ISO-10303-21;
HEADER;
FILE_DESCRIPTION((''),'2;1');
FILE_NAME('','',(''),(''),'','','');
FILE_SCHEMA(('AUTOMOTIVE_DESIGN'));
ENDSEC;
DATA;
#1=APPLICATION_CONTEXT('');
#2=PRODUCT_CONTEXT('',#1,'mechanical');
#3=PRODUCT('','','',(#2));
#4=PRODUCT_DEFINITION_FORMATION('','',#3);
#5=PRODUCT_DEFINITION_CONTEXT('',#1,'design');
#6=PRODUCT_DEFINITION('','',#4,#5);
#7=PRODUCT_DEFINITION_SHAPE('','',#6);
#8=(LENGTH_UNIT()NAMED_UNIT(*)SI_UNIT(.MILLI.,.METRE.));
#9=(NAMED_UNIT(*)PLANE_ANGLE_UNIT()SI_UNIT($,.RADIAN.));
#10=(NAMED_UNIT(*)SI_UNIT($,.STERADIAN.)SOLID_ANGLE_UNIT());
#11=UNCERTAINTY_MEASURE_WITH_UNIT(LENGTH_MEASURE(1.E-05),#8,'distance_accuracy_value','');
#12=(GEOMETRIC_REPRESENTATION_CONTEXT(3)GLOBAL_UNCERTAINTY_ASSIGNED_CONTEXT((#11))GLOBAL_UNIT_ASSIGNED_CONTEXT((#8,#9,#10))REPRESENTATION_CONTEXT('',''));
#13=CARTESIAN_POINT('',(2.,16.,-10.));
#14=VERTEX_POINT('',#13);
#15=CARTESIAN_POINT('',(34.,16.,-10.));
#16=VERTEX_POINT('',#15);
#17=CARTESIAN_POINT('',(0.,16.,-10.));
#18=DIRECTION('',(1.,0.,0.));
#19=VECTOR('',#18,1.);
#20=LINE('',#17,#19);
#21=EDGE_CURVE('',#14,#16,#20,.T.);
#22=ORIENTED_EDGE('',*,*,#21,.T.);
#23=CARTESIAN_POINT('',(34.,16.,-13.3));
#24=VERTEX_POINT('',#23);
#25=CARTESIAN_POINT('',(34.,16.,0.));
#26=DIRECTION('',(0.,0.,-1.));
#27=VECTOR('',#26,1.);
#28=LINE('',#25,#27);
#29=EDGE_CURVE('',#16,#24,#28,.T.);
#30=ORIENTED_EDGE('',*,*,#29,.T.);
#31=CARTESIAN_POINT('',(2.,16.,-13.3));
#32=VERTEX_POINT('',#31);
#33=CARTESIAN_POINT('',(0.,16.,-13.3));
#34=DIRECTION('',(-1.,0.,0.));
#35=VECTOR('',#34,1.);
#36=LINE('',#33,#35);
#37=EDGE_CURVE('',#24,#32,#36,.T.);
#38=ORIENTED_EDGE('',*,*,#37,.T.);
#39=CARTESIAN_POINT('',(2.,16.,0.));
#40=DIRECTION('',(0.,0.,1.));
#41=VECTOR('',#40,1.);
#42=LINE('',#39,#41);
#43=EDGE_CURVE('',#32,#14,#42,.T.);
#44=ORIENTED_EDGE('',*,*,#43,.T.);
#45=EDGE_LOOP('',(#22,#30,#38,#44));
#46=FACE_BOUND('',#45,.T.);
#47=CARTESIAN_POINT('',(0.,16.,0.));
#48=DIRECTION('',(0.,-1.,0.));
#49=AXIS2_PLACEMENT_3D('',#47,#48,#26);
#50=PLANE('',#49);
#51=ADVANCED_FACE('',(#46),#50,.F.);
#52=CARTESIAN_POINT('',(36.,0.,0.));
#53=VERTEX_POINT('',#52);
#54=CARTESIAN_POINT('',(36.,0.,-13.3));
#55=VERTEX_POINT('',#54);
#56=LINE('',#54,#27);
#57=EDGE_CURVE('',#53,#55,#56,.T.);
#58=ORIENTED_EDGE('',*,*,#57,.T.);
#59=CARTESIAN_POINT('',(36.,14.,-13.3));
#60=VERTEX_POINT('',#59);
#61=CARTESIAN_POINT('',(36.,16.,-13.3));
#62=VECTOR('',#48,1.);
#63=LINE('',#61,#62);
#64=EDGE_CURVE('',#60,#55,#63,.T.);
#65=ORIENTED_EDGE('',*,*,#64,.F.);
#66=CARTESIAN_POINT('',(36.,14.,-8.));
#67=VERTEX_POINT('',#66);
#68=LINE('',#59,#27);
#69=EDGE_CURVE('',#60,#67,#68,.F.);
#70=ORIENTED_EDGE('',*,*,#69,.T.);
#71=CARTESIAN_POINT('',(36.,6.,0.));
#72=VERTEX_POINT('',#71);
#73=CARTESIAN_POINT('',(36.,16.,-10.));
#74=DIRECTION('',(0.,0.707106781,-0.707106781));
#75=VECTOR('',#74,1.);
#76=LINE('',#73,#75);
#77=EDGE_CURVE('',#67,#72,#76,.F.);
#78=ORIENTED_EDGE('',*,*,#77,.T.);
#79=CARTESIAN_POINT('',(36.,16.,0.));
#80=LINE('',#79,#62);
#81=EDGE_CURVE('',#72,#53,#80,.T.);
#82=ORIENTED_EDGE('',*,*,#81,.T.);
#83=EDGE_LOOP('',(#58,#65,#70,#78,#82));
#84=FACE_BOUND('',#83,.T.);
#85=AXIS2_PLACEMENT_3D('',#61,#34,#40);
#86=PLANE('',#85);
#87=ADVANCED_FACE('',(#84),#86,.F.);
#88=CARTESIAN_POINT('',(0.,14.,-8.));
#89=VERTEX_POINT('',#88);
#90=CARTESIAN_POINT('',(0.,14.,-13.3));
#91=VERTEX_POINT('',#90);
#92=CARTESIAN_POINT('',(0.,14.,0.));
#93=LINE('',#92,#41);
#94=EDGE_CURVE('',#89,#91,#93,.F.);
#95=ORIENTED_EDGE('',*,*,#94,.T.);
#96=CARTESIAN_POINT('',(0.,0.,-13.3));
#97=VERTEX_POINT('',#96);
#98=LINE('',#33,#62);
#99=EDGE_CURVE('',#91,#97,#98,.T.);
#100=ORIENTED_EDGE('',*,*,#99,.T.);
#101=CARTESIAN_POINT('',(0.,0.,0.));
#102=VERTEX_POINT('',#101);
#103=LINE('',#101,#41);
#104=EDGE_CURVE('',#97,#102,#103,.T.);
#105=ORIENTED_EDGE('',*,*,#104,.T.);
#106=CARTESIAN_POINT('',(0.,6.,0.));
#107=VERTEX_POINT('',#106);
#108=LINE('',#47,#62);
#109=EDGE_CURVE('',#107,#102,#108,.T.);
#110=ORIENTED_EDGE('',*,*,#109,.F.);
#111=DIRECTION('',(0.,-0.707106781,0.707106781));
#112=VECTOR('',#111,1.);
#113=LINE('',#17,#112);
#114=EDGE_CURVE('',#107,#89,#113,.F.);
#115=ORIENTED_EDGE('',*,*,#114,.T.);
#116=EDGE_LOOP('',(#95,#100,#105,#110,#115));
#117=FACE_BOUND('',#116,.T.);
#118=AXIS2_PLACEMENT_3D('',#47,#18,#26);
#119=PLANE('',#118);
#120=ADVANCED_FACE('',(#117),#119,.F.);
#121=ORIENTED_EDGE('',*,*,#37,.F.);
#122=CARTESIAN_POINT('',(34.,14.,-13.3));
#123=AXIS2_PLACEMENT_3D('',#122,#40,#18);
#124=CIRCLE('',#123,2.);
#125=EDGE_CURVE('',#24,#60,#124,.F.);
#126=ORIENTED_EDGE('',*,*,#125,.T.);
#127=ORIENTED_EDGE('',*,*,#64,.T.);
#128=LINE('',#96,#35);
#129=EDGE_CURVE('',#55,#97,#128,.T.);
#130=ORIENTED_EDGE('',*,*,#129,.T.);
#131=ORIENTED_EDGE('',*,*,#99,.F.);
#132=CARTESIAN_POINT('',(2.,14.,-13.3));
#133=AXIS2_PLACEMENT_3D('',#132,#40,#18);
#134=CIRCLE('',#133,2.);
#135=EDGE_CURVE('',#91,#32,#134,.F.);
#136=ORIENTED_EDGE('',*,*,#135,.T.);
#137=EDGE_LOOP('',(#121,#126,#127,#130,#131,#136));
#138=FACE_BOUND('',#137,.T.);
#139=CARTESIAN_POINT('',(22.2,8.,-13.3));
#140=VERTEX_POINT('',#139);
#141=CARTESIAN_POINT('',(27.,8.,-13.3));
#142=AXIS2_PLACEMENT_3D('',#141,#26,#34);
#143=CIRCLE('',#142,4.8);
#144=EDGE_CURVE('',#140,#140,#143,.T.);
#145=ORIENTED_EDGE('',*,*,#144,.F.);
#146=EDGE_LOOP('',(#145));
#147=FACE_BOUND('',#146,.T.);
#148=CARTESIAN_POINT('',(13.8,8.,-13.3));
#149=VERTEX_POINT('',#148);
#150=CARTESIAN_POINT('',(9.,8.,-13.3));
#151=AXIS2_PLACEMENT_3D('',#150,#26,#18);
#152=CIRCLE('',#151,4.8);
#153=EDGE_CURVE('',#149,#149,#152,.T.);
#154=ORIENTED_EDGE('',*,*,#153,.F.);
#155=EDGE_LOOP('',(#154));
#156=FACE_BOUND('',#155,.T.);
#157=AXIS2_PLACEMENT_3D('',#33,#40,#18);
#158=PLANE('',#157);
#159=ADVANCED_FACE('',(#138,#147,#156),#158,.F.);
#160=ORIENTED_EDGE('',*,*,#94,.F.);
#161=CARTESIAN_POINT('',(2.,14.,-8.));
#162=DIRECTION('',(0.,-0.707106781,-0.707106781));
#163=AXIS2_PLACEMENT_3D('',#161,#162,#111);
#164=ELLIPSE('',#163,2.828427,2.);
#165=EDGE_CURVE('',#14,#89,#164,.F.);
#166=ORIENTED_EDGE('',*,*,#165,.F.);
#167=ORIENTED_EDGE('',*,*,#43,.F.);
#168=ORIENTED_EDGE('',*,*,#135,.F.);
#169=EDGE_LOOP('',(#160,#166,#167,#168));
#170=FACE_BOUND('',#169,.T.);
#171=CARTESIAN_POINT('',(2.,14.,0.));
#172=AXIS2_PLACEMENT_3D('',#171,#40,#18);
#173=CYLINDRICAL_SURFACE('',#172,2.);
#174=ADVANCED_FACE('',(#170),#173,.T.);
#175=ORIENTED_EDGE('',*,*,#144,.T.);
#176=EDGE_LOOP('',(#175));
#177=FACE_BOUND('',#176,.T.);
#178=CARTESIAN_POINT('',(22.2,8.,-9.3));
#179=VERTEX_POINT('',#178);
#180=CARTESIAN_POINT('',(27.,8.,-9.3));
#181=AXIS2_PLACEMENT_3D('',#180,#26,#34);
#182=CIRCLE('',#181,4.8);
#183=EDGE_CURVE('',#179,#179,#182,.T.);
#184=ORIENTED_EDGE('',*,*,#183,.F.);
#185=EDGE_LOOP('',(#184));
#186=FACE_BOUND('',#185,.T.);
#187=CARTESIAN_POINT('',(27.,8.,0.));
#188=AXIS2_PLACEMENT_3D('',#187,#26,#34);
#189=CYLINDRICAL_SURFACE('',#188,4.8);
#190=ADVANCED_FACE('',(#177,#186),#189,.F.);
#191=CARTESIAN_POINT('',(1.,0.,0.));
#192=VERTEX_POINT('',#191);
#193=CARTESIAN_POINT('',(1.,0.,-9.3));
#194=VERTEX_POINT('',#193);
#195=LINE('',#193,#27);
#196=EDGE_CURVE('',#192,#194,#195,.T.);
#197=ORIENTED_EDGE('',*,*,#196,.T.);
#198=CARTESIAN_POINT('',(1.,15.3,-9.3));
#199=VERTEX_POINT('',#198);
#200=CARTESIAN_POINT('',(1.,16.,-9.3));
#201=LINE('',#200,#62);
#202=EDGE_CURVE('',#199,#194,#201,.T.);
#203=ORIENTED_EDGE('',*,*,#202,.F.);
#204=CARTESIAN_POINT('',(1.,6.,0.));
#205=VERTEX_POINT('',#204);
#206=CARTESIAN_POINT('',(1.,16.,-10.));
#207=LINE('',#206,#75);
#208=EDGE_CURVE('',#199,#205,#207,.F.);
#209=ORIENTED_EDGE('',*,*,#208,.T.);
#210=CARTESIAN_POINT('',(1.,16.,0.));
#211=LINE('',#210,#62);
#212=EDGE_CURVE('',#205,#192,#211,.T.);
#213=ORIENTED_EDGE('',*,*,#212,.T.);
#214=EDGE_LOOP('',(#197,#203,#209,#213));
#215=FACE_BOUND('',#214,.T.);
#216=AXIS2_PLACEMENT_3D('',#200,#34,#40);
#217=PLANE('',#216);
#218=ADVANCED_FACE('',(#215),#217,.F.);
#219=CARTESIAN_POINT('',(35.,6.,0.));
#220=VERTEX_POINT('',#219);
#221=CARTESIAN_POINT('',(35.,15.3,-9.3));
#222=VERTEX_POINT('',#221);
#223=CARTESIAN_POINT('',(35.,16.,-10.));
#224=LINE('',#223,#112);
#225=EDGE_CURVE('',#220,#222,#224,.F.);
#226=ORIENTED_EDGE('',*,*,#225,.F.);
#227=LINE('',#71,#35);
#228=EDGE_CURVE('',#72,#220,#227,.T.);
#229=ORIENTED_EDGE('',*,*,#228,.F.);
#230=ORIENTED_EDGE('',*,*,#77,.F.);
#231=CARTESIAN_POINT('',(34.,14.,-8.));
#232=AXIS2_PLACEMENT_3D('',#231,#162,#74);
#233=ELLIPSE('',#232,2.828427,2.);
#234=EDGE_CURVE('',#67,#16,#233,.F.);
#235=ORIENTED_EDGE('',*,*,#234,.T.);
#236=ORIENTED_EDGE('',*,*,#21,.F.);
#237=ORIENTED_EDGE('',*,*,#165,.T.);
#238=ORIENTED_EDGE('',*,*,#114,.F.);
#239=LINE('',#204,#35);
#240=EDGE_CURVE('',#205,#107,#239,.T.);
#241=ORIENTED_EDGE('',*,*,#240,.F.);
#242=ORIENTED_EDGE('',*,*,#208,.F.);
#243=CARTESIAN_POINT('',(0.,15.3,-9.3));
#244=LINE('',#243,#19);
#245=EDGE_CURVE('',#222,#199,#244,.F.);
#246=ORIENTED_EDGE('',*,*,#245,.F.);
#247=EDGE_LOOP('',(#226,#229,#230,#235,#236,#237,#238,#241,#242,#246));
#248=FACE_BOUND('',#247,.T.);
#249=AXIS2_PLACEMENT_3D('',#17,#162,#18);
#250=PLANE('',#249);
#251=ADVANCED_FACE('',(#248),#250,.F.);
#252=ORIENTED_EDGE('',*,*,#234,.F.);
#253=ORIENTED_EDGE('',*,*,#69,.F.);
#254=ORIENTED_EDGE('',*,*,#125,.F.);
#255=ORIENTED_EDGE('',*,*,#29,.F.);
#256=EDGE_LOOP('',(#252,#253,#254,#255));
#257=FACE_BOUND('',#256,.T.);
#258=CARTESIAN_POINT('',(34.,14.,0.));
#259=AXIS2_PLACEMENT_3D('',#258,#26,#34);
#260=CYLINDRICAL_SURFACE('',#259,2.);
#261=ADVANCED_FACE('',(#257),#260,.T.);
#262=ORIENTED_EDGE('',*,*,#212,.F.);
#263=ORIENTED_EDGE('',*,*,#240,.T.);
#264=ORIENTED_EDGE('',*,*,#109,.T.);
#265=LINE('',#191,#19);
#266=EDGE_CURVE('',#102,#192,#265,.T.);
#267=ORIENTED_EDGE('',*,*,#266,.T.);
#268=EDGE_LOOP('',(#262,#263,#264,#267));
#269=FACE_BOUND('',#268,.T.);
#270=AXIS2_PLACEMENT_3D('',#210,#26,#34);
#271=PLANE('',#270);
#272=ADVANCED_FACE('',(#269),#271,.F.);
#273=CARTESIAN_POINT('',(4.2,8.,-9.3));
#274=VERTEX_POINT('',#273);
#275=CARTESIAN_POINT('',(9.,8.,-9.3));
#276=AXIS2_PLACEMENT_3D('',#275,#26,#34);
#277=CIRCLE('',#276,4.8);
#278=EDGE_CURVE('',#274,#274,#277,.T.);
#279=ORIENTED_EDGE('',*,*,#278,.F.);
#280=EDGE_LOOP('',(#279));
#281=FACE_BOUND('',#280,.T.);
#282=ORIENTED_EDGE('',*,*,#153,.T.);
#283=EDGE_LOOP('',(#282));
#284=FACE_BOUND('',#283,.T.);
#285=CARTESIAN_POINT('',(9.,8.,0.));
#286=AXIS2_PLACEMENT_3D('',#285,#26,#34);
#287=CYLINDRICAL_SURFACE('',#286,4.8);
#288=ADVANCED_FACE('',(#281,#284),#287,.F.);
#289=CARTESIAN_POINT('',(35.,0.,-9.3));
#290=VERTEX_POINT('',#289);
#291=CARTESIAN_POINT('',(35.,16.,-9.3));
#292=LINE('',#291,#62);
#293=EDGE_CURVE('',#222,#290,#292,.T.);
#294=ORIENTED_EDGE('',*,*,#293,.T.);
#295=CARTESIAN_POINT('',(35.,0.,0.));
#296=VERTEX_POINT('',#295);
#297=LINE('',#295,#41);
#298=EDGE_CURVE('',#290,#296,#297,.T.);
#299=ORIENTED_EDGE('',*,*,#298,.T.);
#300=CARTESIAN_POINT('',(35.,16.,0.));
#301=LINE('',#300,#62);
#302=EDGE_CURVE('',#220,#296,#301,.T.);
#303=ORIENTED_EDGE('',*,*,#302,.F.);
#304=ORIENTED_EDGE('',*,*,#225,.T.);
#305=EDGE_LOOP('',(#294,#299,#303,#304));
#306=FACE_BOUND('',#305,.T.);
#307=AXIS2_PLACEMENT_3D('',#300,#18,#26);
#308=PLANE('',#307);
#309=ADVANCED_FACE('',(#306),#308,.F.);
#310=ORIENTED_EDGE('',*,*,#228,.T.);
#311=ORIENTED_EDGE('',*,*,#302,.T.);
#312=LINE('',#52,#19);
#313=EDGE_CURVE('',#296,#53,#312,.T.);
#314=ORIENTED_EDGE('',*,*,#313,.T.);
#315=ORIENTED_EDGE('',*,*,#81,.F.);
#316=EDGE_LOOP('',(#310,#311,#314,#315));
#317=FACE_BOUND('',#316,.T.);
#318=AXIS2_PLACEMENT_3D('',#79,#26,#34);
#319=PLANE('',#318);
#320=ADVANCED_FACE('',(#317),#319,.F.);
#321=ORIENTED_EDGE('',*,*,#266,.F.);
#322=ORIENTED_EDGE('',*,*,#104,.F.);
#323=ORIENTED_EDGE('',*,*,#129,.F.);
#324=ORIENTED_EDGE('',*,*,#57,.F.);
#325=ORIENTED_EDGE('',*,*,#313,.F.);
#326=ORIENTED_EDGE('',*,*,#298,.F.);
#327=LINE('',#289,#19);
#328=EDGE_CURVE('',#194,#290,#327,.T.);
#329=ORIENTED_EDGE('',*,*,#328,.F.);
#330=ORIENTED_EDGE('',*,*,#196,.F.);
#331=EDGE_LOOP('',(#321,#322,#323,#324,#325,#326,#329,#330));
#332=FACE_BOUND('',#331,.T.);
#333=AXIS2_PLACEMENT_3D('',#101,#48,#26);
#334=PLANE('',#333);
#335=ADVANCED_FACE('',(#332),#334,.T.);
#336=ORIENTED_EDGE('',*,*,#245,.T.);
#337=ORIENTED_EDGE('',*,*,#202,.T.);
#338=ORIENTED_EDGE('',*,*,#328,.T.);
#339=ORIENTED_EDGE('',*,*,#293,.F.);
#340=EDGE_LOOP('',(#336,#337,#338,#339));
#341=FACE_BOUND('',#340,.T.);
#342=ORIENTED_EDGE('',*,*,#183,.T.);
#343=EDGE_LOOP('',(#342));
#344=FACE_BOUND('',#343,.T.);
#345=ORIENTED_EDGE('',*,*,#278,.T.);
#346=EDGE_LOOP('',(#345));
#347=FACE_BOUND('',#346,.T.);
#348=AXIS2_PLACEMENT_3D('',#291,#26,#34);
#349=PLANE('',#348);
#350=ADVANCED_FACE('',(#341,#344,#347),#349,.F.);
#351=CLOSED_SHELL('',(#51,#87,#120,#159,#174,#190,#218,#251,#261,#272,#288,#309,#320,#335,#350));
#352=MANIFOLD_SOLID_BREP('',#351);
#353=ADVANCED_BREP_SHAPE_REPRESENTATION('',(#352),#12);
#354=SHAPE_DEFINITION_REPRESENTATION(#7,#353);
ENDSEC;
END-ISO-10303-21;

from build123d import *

# Parameters (mm, degrees)
BOSS_EXTRUDE1_DEPTH = 16
CHAMFER1_SIZE       = 10
FILLET1_R           = 2
SKETCH3_R           = 4.8
CUT_EXTRUDE1_DEPTH  = 42.57992304


with BuildPart() as part:
    # Sketch2 → Boss-Extrude1 (new body)
    with BuildSketch(Plane(origin=(0, 0, 0), x_dir=(1, 0, 0), z_dir=(0, 1, 0))):
        Polygon((0, 0), (0, 13.3), (36, 13.3), (36, 0), (35, 0), (35, 9.3), (1, 9.3), (1, 0), align=None)
    extrude(amount=BOSS_EXTRUDE1_DEPTH)

    # Chamfer1
    chamfer1_edges = [part.edges().sort_by_distance(p)[0] for p in [
        (0.5, 16, 0),
    ]]
    chamfer(chamfer1_edges, length=CHAMFER1_SIZE)

    # Fillet1
    fillet1_edges = [part.edges().sort_by_distance(p)[0] for p in [
        (36, 16, -11.65),
        (0, 16, -11.65),
    ]]
    fillet(fillet1_edges, radius=FILLET1_R)

    # Sketch3 → Cut-Extrude1 (cut, through all)
    with BuildSketch(Plane(origin=(0, 0, -13.3), x_dir=(-1, 0, 0), z_dir=(0, 0, -1))):
        with Locations((-27, 8)):
            Circle(SKETCH3_R)
        with Locations((-9, 8)):
            Circle(SKETCH3_R)
    extrude(amount=-CUT_EXTRUDE1_DEPTH, mode=Mode.SUBTRACT)


solid = part.part
